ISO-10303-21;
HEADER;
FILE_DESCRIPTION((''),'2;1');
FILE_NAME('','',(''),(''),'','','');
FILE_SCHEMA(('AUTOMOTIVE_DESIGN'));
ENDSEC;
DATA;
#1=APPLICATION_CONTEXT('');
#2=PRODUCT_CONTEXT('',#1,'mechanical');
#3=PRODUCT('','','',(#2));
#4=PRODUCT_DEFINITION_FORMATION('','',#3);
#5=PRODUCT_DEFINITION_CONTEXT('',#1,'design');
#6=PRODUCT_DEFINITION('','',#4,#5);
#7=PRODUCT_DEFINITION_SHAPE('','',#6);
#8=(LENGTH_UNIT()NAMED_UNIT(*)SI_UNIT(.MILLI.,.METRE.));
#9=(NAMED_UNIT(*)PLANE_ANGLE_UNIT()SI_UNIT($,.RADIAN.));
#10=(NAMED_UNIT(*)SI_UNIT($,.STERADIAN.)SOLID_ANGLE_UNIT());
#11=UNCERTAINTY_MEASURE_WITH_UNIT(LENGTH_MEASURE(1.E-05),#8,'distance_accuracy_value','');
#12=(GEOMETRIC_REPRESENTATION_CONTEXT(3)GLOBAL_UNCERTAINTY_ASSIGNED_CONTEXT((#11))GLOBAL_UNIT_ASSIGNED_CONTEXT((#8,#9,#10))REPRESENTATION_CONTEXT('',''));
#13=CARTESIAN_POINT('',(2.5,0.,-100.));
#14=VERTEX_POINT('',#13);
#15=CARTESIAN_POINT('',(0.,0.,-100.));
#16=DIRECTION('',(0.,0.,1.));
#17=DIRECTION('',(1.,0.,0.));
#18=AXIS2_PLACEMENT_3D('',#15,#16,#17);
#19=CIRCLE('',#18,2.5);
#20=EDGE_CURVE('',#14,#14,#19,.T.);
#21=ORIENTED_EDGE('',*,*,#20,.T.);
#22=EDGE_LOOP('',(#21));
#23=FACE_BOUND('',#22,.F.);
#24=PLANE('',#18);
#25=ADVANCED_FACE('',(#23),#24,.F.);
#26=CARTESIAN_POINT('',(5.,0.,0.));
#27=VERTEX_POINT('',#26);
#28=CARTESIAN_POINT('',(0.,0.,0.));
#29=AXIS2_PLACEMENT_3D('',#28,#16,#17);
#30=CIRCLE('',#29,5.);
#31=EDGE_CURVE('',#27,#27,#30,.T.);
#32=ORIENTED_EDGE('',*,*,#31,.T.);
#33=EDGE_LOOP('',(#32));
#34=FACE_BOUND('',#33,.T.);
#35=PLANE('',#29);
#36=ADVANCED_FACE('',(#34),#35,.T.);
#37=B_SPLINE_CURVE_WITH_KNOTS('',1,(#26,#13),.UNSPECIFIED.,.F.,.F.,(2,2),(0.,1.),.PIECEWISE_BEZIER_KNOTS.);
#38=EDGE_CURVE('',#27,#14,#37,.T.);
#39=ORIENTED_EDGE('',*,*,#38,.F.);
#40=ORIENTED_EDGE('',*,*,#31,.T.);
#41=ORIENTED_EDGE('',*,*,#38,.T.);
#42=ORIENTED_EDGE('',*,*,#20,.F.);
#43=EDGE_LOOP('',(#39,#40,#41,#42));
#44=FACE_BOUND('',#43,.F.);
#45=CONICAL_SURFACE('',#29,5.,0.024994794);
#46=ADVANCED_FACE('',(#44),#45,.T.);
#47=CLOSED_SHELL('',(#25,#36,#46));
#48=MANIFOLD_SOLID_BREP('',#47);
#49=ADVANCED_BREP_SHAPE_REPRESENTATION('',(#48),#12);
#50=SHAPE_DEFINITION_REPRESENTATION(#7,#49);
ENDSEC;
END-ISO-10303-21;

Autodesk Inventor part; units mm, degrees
ref_plane "YZ Plane" through (0, 0, 0) normal (1, 0, 0) x (0, 1, 0)
ref_plane "XZ Plane" through (0, 0, 0) normal (0, 1, 0) x (-1, 0, 0)
sketch "Esboço1" plane through (0, 0, 0) normal (0, 0, 1) x (1, 0, 0)
  circle A0 centre (0, 0) radius 5
  dimension "d0" = 10
ref_plane "Plano de trabalho3" through (0, 0, -100) normal (0, 0, 1) x (1, 0, 0)
sketch "Esboço3" plane through (0, 0, -100) normal (0, 0, 1) x (1, 0, 0)
  circle A0 centre (0, 0) radius 2.5
  dimension "d2" = 5
loft "Transição1" add profiles "Esboço1", "Esboço3"
